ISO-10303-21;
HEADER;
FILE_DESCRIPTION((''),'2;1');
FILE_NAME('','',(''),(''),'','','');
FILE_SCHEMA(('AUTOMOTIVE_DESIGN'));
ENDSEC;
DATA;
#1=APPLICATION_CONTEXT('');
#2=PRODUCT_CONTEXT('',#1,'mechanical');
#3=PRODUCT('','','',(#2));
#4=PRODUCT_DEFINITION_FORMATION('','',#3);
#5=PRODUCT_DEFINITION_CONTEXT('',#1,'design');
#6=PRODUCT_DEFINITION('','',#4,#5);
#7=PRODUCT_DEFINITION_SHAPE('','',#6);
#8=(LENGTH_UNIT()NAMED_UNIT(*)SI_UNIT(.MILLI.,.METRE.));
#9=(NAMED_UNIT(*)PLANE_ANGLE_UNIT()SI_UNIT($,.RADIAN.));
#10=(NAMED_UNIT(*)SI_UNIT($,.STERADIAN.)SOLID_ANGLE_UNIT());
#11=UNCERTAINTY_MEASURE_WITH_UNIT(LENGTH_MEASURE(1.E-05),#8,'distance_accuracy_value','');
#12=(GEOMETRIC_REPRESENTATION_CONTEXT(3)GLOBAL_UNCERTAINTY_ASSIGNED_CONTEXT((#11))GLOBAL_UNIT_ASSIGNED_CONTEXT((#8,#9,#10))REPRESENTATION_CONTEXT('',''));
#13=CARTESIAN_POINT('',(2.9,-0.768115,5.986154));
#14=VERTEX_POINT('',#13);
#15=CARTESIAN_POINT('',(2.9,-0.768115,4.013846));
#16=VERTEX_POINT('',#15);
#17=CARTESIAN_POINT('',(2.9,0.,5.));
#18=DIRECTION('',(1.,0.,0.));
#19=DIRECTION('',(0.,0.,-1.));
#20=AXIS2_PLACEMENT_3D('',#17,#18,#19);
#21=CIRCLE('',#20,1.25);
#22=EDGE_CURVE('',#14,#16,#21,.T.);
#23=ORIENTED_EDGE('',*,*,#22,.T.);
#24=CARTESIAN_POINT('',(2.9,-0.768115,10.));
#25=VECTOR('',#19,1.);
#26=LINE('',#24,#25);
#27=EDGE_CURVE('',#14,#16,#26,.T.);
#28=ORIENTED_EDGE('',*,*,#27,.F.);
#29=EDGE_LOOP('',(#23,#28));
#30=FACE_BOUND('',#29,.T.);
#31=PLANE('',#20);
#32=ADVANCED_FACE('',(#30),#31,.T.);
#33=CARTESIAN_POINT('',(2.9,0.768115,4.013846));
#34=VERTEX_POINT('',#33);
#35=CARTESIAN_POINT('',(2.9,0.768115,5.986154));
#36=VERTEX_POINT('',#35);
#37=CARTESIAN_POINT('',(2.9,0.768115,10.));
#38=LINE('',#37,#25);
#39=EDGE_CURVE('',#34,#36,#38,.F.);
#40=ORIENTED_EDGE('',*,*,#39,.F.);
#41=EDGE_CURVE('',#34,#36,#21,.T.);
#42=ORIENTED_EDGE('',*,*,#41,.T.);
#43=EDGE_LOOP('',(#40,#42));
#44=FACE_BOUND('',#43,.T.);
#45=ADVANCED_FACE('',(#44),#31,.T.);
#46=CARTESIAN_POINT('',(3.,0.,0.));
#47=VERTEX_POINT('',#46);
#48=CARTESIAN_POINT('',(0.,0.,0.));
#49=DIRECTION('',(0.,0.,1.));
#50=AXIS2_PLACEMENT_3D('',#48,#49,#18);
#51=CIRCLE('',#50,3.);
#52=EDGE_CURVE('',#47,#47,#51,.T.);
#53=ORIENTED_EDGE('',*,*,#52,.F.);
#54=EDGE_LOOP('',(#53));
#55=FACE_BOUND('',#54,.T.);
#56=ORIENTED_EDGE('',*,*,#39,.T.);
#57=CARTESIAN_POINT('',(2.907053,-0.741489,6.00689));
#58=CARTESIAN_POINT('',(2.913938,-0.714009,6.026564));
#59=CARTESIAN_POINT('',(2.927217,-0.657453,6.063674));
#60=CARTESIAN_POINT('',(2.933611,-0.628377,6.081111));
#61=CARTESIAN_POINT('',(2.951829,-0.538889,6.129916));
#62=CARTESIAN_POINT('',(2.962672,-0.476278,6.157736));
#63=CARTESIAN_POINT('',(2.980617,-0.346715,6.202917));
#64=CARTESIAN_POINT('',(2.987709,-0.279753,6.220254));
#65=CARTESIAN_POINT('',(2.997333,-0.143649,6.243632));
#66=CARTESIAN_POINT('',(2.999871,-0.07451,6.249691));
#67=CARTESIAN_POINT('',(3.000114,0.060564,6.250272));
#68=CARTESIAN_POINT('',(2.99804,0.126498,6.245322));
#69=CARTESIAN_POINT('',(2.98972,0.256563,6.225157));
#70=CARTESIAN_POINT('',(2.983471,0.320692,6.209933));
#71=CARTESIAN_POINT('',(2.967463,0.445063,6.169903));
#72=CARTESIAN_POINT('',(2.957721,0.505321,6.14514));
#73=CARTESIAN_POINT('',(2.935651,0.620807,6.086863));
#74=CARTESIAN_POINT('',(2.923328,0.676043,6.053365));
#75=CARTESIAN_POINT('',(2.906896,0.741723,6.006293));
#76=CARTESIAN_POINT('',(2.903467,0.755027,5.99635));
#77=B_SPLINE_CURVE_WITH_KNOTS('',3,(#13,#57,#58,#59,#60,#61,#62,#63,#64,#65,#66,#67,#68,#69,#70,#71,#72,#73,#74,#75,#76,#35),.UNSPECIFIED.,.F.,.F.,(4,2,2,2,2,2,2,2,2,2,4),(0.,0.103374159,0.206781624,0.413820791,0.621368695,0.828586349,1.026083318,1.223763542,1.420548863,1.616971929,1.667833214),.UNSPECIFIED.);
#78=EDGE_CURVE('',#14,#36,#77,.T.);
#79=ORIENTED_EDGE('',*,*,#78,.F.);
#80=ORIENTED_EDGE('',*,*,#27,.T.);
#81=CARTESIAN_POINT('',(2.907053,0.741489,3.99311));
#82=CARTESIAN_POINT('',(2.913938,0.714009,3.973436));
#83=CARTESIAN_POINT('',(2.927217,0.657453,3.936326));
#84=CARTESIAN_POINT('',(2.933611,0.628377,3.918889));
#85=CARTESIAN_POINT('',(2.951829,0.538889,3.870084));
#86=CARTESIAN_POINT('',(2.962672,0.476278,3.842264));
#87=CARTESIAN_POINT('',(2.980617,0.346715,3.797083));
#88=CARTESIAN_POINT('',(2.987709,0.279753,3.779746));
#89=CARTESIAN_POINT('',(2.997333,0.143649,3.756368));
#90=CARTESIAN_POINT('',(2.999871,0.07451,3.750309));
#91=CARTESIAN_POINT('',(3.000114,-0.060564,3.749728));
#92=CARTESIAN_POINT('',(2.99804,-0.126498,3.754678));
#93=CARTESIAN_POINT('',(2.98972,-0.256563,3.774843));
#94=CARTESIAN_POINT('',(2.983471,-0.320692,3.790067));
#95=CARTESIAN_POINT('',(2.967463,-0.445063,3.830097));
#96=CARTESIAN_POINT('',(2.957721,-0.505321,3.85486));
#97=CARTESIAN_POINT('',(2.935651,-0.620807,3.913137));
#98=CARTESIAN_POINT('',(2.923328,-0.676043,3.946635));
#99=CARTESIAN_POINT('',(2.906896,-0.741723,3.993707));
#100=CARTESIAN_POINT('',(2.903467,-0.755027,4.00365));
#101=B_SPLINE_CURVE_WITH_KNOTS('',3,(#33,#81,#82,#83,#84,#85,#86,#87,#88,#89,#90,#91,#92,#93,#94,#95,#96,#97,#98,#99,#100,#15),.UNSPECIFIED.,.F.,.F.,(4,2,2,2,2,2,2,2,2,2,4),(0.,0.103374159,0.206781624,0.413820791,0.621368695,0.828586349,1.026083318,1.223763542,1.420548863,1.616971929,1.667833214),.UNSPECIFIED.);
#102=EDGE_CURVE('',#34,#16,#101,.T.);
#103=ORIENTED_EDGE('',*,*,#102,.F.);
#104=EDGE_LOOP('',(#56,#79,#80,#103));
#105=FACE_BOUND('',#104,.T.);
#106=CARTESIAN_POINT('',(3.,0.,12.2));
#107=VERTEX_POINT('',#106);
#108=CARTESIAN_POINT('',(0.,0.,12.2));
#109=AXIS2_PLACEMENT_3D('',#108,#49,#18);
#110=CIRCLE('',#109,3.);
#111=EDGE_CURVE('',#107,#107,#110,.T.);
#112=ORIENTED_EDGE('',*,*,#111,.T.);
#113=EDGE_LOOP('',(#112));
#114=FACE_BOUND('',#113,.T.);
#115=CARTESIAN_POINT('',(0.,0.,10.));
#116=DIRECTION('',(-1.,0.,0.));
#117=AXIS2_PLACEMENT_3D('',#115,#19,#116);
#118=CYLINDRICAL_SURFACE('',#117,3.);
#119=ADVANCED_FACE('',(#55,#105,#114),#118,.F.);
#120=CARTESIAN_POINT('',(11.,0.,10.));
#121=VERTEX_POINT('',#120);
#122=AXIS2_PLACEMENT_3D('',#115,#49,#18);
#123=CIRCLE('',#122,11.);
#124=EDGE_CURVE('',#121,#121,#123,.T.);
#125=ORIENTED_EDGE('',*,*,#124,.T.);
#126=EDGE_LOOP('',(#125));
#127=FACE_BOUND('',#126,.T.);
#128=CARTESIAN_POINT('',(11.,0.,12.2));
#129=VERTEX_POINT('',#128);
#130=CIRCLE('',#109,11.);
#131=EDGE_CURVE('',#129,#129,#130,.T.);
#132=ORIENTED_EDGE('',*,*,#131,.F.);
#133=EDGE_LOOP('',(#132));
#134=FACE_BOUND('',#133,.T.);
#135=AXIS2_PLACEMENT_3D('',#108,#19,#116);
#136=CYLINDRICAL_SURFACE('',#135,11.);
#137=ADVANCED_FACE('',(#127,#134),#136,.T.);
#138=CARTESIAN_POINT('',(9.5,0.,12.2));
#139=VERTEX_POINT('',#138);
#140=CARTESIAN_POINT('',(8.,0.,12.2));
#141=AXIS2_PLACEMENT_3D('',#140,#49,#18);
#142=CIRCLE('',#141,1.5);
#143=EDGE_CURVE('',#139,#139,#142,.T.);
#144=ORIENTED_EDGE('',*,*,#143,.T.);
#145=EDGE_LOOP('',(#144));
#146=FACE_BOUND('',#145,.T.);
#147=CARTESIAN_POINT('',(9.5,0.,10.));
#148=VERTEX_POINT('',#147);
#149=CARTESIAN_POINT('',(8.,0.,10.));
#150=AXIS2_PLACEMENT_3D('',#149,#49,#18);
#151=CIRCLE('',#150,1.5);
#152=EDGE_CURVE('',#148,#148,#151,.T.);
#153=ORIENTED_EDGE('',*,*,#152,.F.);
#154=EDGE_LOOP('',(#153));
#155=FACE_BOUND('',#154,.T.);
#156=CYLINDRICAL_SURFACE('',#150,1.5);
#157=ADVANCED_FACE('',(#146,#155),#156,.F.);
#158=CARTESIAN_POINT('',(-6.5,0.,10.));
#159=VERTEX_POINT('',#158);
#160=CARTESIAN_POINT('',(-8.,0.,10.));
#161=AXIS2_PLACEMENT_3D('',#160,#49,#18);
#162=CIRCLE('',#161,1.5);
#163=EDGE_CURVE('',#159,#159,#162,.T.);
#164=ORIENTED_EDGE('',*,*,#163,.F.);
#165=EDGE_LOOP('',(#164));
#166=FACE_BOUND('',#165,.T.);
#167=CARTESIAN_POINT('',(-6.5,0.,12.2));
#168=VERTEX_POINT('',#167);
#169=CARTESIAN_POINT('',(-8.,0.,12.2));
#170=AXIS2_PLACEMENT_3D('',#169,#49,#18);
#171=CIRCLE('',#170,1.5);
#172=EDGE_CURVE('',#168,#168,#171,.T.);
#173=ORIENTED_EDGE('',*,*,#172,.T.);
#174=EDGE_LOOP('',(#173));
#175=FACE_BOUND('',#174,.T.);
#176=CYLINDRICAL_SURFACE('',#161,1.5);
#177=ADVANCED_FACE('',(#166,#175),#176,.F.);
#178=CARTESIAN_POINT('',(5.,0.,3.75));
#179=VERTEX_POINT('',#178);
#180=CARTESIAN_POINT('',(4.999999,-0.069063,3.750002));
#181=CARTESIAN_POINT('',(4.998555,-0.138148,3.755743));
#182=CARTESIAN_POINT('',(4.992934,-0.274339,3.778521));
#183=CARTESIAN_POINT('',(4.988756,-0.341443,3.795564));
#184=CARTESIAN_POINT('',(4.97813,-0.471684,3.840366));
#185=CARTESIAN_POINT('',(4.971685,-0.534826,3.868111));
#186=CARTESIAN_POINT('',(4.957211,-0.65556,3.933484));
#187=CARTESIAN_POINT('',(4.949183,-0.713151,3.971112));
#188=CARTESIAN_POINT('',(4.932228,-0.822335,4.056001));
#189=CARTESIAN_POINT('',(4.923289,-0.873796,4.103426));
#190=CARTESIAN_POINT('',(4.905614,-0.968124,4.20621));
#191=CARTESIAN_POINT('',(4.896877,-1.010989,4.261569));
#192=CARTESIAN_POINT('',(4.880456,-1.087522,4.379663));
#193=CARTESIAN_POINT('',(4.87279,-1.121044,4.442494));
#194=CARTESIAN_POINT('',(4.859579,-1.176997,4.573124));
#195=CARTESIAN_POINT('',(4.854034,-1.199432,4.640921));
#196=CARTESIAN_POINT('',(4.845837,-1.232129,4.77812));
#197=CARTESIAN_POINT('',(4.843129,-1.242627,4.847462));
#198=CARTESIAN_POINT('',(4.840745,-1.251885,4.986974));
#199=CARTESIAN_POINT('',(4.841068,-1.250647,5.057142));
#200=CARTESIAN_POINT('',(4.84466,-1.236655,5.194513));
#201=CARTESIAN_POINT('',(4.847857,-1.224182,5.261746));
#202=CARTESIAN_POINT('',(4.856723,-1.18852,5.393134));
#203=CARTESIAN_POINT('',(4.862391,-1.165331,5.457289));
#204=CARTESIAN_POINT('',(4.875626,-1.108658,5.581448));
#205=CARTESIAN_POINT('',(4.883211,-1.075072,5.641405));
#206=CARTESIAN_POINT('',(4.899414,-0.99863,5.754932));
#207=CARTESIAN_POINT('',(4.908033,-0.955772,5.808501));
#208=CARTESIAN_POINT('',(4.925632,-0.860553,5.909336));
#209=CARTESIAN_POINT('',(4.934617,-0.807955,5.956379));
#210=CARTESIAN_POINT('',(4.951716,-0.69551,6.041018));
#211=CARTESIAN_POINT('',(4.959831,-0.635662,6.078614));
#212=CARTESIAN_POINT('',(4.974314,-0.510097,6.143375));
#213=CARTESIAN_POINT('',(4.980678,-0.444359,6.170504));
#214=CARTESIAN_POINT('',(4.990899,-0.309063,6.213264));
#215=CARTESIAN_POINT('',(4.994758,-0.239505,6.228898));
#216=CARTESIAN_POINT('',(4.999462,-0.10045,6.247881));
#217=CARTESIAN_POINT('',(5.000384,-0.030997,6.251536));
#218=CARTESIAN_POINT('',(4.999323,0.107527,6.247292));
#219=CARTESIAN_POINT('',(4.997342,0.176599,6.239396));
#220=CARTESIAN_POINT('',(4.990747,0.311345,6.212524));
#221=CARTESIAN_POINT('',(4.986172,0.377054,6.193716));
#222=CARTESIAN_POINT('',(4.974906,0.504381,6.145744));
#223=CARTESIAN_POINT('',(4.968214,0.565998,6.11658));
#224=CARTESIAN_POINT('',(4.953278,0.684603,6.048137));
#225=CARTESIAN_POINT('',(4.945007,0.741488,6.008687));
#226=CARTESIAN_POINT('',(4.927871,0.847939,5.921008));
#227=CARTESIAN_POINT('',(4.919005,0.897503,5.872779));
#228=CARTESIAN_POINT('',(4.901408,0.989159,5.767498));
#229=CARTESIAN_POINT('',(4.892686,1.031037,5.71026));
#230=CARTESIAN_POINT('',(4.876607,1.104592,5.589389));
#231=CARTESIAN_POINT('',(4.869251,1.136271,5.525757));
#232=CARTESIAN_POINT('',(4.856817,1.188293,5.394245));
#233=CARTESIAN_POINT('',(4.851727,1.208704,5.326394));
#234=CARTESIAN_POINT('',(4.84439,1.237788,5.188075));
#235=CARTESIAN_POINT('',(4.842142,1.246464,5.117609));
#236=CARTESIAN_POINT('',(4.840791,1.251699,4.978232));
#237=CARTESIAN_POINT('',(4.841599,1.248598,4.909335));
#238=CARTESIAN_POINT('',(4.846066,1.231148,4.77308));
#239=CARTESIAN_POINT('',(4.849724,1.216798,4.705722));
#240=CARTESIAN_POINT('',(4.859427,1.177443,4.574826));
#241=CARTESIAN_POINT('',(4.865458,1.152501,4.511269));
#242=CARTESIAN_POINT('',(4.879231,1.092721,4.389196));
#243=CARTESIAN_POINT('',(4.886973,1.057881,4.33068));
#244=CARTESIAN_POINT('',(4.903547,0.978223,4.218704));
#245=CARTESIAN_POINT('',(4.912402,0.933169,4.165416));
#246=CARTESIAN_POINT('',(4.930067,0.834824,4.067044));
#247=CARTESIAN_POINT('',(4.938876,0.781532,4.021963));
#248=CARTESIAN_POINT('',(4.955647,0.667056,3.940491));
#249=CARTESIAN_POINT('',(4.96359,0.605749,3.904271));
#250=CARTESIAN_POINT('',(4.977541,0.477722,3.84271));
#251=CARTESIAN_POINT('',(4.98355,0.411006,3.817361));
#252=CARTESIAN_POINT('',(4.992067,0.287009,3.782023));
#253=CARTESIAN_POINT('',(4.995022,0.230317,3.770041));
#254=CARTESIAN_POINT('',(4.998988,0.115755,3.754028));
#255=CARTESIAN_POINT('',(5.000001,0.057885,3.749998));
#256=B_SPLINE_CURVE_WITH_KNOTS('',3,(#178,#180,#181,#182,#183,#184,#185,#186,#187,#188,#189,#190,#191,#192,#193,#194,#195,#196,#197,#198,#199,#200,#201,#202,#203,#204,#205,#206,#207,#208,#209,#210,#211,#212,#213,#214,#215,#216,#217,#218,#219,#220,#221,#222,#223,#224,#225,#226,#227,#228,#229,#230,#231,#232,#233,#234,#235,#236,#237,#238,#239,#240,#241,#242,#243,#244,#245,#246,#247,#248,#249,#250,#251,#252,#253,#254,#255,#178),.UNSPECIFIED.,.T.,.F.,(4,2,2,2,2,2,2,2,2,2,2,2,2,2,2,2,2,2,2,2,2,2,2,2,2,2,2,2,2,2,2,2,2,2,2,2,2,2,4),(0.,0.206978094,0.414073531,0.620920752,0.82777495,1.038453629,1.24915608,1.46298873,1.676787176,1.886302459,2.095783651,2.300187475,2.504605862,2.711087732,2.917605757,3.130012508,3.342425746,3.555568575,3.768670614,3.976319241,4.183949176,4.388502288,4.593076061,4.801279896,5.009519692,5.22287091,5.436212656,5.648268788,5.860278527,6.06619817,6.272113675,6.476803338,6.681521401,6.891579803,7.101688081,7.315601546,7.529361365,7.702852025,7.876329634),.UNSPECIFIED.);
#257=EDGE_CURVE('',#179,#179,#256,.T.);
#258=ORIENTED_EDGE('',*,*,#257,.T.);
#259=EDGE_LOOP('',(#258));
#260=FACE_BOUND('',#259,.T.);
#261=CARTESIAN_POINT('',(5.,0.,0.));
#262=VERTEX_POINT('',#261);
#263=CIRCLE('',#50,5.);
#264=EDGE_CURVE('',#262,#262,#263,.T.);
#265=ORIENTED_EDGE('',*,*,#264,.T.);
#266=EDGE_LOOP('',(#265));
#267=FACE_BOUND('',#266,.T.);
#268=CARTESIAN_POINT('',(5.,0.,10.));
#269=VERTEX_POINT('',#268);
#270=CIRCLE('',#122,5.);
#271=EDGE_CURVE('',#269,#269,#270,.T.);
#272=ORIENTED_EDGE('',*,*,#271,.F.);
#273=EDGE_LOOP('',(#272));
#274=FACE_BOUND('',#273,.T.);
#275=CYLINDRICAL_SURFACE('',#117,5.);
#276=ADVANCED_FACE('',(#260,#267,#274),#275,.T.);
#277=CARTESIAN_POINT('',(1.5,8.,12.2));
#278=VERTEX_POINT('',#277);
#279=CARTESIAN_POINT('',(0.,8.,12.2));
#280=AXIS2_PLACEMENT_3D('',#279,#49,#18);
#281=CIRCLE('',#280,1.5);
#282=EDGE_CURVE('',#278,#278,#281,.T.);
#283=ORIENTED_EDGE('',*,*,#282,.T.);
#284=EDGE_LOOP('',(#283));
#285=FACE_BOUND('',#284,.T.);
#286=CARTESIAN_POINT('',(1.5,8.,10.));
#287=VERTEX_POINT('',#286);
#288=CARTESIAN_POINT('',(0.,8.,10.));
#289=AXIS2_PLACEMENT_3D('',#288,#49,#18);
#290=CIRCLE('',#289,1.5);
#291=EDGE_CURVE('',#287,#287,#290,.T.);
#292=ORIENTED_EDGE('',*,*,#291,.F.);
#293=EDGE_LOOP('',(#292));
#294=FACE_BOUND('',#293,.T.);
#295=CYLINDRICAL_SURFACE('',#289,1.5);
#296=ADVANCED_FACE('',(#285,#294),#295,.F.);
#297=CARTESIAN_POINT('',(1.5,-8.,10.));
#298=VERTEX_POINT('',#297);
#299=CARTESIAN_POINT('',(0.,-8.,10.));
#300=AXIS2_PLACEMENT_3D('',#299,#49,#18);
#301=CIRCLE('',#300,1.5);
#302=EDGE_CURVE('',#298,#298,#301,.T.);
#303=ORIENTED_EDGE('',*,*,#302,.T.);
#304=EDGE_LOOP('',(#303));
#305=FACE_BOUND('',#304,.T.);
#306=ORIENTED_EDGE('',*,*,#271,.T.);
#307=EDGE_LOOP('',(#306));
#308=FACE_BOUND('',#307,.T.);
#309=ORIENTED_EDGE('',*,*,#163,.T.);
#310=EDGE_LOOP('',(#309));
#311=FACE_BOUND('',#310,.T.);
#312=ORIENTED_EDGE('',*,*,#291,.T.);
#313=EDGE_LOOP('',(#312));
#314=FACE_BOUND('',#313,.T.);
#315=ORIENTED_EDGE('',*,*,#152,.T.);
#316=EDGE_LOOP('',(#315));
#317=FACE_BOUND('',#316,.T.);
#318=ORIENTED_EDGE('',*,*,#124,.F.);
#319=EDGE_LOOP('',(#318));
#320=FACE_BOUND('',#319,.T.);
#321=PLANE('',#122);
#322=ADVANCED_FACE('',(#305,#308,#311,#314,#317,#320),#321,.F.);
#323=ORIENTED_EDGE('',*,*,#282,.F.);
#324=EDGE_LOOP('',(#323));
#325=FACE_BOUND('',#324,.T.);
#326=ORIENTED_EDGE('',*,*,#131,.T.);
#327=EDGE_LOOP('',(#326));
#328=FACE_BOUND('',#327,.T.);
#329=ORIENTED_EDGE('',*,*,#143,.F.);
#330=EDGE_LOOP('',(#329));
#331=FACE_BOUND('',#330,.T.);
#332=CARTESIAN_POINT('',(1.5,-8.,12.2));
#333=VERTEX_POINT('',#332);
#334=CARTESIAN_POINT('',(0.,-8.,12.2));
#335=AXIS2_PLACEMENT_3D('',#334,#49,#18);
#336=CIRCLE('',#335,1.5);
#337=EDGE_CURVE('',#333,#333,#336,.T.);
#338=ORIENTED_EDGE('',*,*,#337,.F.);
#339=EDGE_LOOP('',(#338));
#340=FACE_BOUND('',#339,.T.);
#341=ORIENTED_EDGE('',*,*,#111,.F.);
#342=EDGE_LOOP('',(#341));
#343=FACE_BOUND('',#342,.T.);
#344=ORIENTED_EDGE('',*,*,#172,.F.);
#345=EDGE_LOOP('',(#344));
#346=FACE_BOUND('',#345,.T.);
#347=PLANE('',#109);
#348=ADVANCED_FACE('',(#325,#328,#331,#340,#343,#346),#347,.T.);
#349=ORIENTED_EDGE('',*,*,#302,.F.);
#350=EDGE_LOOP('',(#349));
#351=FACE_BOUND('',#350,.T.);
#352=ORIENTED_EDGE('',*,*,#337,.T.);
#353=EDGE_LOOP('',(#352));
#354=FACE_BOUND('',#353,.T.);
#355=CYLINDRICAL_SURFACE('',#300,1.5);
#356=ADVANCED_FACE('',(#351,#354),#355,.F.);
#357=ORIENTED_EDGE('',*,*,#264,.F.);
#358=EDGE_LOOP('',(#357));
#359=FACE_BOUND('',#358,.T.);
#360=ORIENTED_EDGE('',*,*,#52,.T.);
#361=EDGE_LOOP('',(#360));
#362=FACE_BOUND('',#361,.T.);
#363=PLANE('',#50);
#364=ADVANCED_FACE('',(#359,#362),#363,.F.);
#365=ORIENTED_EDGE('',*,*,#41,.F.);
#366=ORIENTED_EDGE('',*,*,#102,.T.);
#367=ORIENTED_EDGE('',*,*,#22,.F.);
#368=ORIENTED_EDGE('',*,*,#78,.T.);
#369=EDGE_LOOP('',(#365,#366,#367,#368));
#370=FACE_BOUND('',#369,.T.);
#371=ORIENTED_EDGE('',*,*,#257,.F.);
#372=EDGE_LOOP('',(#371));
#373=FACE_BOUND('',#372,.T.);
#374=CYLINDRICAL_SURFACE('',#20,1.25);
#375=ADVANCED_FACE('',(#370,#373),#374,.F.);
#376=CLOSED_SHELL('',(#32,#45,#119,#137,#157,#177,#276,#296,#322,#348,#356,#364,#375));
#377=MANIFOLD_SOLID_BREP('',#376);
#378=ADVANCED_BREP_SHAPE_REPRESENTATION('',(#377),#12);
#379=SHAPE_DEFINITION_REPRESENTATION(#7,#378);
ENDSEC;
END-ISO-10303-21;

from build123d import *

# Parameters (mm, degrees)
SKETCH_1_R                           = 5
SKETCH_1_R_2                         = 3
HUB_OD10_ID6_L10_DEPTH               = 10
SKETCH_2_R                           = 11
SKETCH_2_R_2                         = 3
FLANGE_OD22_T2P2_DEPTH               = 2.2
SKETCH_3_R                           = 1.5
F_4XD3_ON_PCD16_DEPTH                = 2.2
SKETCH_4_R                           = 1.25
M3_GRUB_SCREW_RADIAL_REFERENCE_DEPTH = 2.1


with BuildPart() as part:
    # 草图1 → Hub_OD10_ID6_L10 (new body)
    with BuildSketch(Plane.XY):
        Circle(SKETCH_1_R)
        Circle(SKETCH_1_R_2, mode=Mode.SUBTRACT)
    extrude(amount=HUB_OD10_ID6_L10_DEPTH)

    # 草图2 → Flange_OD22_T2p2 (add)
    with BuildSketch(Plane.XY.offset(10)):
        Circle(SKETCH_2_R)
        Circle(SKETCH_2_R_2, mode=Mode.SUBTRACT)
    extrude(amount=FLANGE_OD22_T2P2_DEPTH)

    # 草图3 → 4xD3_on_PCD16 (cut)
    with BuildSketch(Plane.XY.offset(12.2)):
        with Locations((8, 0)):
            Circle(SKETCH_3_R)
        with Locations((0, 8)):
            Circle(SKETCH_3_R)
        with Locations((-8, 0)):
            Circle(SKETCH_3_R)
        with Locations((0, -8)):
            Circle(SKETCH_3_R)
    extrude(amount=-F_4XD3_ON_PCD16_DEPTH, mode=Mode.SUBTRACT)

    # 草图4 → M3_grub_screw_radial_reference (cut)
    with BuildSketch(Plane(origin=(5, 0, 0), x_dir=(0, 0, -1), z_dir=(1, 0, 0))):
        with Locations((-5, 0)):
            Circle(SKETCH_4_R)
    extrude(amount=-M3_GRUB_SCREW_RADIAL_REFERENCE_DEPTH, mode=Mode.SUBTRACT)


solid = part.part
